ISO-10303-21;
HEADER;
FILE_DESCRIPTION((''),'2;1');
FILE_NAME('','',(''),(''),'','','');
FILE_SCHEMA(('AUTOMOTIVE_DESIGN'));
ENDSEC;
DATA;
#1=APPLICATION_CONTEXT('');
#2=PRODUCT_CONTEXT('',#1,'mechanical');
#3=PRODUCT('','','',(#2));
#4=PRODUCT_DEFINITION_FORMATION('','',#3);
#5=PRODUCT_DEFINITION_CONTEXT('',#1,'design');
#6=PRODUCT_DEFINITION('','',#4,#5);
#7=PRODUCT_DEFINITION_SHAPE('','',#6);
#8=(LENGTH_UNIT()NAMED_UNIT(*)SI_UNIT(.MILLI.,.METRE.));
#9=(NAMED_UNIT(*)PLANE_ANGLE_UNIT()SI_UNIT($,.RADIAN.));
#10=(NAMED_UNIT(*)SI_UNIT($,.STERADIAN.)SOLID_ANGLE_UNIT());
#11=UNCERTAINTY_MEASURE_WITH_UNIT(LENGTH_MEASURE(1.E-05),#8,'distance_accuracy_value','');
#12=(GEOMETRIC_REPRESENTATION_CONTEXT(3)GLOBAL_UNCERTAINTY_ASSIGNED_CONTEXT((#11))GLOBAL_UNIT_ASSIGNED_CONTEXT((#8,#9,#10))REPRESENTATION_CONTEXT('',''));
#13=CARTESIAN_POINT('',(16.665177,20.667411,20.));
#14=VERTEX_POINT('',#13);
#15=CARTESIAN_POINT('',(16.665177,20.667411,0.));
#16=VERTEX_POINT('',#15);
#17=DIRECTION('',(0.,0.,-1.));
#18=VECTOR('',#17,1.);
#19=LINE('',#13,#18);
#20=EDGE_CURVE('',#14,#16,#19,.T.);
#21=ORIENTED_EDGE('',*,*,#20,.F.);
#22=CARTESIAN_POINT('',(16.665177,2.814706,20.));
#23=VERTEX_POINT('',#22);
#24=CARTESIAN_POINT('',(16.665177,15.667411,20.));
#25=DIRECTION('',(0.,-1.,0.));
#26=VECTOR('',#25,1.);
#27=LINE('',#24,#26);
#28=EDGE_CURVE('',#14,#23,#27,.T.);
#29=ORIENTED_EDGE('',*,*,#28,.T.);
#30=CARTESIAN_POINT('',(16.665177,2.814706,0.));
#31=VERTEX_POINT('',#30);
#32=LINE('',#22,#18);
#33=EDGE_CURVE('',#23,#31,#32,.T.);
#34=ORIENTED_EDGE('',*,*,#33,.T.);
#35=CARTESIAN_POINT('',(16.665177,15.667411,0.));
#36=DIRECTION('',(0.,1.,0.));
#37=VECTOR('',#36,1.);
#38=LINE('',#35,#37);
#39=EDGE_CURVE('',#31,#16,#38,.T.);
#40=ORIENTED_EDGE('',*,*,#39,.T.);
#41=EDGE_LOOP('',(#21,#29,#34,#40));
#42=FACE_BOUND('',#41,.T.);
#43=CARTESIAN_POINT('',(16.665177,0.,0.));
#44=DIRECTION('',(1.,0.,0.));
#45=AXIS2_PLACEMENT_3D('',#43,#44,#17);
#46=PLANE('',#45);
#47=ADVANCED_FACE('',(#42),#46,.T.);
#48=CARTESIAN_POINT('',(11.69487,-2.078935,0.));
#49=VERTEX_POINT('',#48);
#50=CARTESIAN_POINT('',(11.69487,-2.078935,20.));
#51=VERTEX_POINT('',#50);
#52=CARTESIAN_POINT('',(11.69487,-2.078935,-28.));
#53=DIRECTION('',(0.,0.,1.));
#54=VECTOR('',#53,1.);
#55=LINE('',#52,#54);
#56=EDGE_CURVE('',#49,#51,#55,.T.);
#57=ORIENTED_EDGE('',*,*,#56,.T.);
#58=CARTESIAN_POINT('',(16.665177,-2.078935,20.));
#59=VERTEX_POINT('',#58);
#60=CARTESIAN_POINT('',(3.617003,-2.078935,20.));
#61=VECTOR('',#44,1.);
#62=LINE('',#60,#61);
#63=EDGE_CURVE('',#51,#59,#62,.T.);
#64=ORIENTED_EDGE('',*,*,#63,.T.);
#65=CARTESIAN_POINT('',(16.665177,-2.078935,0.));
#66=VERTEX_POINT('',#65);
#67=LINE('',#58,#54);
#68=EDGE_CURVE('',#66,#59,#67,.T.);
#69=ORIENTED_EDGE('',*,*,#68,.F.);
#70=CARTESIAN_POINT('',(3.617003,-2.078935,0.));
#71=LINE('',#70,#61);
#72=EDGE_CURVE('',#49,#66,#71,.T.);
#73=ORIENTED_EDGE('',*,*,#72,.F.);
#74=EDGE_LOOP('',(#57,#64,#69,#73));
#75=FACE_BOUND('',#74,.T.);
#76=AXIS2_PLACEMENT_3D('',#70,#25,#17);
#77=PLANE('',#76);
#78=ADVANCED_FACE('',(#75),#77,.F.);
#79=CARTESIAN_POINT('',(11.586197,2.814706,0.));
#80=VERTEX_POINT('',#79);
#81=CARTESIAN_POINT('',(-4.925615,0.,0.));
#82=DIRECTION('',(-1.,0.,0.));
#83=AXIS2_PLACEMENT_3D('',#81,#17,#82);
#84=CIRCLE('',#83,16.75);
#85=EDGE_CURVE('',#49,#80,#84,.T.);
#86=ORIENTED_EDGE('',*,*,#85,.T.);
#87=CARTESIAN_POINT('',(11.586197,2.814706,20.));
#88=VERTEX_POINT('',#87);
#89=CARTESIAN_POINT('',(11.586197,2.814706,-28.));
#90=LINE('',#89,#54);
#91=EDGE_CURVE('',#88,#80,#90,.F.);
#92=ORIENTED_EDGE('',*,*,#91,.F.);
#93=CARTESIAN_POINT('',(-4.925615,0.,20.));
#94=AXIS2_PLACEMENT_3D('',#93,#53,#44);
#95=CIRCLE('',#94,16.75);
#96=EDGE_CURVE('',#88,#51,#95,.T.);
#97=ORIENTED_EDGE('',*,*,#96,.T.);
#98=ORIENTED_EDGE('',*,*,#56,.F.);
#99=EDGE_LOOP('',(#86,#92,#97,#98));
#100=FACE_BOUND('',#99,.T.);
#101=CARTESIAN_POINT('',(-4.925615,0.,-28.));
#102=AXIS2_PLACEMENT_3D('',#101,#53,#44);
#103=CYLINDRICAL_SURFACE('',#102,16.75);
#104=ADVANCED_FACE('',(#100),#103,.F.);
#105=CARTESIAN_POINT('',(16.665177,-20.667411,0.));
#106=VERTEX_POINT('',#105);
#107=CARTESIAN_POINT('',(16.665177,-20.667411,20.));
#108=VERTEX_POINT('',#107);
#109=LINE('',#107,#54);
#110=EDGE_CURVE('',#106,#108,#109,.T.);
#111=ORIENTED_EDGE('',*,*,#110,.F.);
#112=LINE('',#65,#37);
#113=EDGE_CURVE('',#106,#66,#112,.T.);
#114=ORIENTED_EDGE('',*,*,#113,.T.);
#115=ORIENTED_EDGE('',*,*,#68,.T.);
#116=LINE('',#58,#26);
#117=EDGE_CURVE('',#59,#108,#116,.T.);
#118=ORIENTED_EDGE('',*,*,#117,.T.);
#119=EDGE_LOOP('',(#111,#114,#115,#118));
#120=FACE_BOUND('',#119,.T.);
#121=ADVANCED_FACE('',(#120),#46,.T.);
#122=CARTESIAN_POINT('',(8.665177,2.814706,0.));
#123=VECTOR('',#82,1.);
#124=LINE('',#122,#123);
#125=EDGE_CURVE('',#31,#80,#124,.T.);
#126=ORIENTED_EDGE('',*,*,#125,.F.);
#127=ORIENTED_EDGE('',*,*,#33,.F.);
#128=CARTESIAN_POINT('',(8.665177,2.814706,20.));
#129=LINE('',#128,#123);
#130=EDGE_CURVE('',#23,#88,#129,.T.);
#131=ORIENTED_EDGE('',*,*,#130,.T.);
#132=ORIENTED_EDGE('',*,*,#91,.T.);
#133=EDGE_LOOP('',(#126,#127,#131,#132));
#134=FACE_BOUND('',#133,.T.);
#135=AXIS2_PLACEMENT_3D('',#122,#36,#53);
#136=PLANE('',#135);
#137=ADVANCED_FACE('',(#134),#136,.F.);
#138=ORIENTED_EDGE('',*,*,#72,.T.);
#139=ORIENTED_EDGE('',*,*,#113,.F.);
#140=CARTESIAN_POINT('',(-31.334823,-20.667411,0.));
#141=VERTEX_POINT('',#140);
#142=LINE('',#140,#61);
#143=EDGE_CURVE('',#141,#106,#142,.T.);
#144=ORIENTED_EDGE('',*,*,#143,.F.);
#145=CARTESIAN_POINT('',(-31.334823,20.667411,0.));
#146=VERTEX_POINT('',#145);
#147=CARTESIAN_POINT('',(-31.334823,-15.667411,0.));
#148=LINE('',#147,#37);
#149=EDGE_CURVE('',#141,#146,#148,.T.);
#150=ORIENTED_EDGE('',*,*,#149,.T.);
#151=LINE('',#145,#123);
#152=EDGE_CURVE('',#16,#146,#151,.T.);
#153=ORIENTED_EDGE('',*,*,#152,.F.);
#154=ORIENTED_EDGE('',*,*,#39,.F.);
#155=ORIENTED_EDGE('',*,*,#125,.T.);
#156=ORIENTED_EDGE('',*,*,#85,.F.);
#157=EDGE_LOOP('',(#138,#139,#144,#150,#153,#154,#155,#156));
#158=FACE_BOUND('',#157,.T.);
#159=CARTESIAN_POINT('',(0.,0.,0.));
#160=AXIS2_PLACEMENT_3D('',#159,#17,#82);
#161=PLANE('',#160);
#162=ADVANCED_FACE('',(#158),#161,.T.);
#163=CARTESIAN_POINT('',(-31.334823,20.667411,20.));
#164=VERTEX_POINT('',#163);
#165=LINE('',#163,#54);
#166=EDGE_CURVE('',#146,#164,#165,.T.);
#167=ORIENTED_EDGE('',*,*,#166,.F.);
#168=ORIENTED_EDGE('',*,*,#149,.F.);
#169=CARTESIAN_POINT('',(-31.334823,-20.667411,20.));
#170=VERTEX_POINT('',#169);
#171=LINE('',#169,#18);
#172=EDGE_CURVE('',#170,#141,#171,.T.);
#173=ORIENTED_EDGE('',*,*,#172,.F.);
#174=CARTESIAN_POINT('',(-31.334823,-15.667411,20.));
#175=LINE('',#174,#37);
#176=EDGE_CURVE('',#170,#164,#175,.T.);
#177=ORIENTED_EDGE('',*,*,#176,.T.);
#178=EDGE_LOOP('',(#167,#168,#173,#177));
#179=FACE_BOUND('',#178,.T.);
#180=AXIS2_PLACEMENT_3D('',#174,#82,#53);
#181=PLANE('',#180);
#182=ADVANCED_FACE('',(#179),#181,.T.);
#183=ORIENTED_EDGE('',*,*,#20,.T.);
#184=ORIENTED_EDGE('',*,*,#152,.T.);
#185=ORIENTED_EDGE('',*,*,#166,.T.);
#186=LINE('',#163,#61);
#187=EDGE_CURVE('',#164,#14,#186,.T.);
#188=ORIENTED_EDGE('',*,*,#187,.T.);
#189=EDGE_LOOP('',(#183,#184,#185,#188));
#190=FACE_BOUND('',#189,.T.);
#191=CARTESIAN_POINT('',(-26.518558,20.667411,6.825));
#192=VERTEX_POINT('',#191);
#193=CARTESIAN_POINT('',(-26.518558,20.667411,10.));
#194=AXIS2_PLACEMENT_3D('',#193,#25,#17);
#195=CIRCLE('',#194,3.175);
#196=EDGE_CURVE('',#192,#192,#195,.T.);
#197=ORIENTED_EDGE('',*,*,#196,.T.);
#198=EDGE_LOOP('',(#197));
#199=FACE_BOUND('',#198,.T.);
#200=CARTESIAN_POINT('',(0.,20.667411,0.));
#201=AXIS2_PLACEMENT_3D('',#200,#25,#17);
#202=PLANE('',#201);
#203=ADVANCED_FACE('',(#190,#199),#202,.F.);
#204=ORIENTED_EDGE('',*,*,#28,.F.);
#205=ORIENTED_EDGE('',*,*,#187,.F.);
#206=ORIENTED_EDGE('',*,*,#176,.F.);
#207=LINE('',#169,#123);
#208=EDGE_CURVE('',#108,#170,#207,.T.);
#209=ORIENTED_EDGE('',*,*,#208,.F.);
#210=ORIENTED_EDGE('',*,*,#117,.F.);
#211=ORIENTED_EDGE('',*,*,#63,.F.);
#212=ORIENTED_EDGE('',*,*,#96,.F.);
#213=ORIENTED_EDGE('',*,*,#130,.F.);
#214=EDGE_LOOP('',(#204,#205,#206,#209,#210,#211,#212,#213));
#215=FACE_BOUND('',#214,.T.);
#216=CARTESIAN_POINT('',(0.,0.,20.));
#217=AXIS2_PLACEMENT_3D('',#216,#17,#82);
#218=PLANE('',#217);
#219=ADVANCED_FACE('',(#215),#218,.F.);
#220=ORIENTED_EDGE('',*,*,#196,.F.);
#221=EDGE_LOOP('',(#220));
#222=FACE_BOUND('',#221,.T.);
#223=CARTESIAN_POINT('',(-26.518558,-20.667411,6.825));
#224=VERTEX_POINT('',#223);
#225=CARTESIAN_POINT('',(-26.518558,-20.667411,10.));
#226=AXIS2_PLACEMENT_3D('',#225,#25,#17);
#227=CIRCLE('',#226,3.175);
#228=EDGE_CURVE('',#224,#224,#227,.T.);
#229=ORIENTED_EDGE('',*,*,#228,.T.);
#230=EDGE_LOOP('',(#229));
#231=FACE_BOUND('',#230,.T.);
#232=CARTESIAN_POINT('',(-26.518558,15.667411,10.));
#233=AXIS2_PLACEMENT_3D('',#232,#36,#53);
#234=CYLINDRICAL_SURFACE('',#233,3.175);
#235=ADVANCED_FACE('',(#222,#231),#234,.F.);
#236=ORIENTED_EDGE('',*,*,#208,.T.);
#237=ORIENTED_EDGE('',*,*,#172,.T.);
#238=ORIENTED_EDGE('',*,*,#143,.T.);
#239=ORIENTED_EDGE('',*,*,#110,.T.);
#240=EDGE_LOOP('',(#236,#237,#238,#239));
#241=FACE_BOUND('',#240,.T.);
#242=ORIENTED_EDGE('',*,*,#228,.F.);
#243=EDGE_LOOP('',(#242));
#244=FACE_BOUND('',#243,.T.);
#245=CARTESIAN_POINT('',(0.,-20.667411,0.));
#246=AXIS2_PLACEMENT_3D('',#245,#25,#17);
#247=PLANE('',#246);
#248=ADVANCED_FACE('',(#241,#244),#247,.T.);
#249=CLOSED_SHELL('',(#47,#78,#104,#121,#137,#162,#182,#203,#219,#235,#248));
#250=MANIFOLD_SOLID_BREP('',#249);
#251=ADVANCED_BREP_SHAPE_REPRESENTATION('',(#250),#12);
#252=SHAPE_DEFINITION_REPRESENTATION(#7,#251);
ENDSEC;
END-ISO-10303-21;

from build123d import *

# Parameters (mm, degrees)
CROQUIS1_W                    = 40
CROQUIS1_H                    = 31.334822808
SALIENTE_EXTRUIR1_DEPTH       = 20
CROQUIS2_W                    = 5.048174606
CROQUIS2_H                    = 4.893641636
CORTAR_EXTRUIR1_DEPTH         = 41.340288801
TALADRO1_D                    = 6.35
TALADRO_DE_MARGEN_PARA_M221_D = 25.4
CROQUIS7_W                    = 20
CROQUIS7_H                    = 12.852705172
CROQUIS7_H_2                  = 13.588476
SALIENTE_EXTRUIR2_DEPTH       = 8
CROQUIS8_W                    = 48
CROQUIS8_H                    = 20
SALIENTE_EXTRUIR3_DEPTH       = 5
CROQUIS9_R                    = 3.175
CORTAR_EXTRUIR2_DEPTH         = 43
CROQUIS10_W                   = 48
CROQUIS10_H                   = 20
SALIENTE_EXTRUIR4_DEPTH       = 5
CORTAR_EXTRUIR3_START         = -48
CROQUIS11_R                   = 3.175
CORTAR_EXTRUIR3_DEPTH         = 48
CROQUIS12_R                   = 16.75
CORTAR_EXTRUIR4_DEPTH         = 48


with BuildPart() as part:
    # Croquis1 → Saliente-Extruir1 (new body)
    with BuildSketch(Plane(origin=(0, 0, 0), x_dir=(-1, 0, 0), z_dir=(0, 0, -1))):
        with Locations((11.334822808, 0)):
            Rectangle(CROQUIS1_W, CROQUIS1_H)
    extrude(amount=-SALIENTE_EXTRUIR1_DEPTH)

    # Croquis2 → Cortar-Extruir1 (cut, through all)
    with BuildSketch(Plane.XY.offset(20)):
        with Locations((6.141089889, 0.367885414)):
            Rectangle(CROQUIS2_W, CROQUIS2_H)
    extrude(amount=-CORTAR_EXTRUIR1_DEPTH, mode=Mode.SUBTRACT)

    # Taladro1 (through all)
    with Locations(Plane(origin=(0, 15.667411404, 0), x_dir=(1, 0, 0), z_dir=(0, 1, 0))):
        with Locations((-26.51855843, -10)):
            Hole(TALADRO1_D / 2)

    # Taladro de margen para M221 (through all)
    with Locations(Plane(origin=(0, 0, 0), x_dir=(-1, 0, 0), z_dir=(0, 0, -1))):
        with Locations((8.767354232, 0)):
            Hole(TALADRO_DE_MARGEN_PARA_M221_D / 2)

    # Croquis7 → Saliente-Extruir2 (add)
    with BuildSketch(Plane(origin=(8.665177192, 0, 0), x_dir=(0, 0, -1), z_dir=(1, 0, 0))):
        with Locations((-10, 9.241058818)):
            Rectangle(CROQUIS7_W, CROQUIS7_H)
        with Locations((-10, -8.873173404)):
            Rectangle(CROQUIS7_W, CROQUIS7_H_2)
    extrude(amount=SALIENTE_EXTRUIR2_DEPTH)

    # Croquis8 → Saliente-Extruir3 (add)
    with BuildSketch(Plane(origin=(0, 15.667411404, 0), x_dir=(1, 0, 0), z_dir=(0, 1, 0))):
        with Locations((-7.334822808, -10)):
            Rectangle(CROQUIS8_W, CROQUIS8_H)
    extrude(amount=SALIENTE_EXTRUIR3_DEPTH)

    # Croquis9 → Cortar-Extruir2 (cut)
    with BuildSketch(Plane.XZ.offset(15.667411404)):
        with Locations(Location((-26.51855843, 10, 0), (0, 0, 90))):
            Circle(CROQUIS9_R)
    extrude(amount=-CORTAR_EXTRUIR2_DEPTH, mode=Mode.SUBTRACT)

    # Croquis10 → Saliente-Extruir4 (add)
    with BuildSketch(Plane.XZ.offset(15.667411404)):
        with Locations((-7.334822808, 10)):
            Rectangle(CROQUIS10_W, CROQUIS10_H)
    extrude(amount=SALIENTE_EXTRUIR4_DEPTH)

    # Croquis11 → Cortar-Extruir3 (cut)
    with BuildSketch(Plane(origin=(0, 20.667411404, 0), x_dir=(1, 0, 0), z_dir=(0, 1, 0)).offset(CORTAR_EXTRUIR3_START)):
        with Locations(Location((-26.51855843, -10, 0), (0, 0, 90))):
            Circle(CROQUIS11_R)
    extrude(amount=CORTAR_EXTRUIR3_DEPTH, mode=Mode.SUBTRACT)

    # Croquis12 → Cortar-Extruir4 (cut)
    with BuildSketch(Plane.XY.offset(20)):
        with Locations((-4.925615177, 0)):
            Circle(CROQUIS12_R)
    extrude(amount=-CORTAR_EXTRUIR4_DEPTH, mode=Mode.SUBTRACT)


solid = part.part
